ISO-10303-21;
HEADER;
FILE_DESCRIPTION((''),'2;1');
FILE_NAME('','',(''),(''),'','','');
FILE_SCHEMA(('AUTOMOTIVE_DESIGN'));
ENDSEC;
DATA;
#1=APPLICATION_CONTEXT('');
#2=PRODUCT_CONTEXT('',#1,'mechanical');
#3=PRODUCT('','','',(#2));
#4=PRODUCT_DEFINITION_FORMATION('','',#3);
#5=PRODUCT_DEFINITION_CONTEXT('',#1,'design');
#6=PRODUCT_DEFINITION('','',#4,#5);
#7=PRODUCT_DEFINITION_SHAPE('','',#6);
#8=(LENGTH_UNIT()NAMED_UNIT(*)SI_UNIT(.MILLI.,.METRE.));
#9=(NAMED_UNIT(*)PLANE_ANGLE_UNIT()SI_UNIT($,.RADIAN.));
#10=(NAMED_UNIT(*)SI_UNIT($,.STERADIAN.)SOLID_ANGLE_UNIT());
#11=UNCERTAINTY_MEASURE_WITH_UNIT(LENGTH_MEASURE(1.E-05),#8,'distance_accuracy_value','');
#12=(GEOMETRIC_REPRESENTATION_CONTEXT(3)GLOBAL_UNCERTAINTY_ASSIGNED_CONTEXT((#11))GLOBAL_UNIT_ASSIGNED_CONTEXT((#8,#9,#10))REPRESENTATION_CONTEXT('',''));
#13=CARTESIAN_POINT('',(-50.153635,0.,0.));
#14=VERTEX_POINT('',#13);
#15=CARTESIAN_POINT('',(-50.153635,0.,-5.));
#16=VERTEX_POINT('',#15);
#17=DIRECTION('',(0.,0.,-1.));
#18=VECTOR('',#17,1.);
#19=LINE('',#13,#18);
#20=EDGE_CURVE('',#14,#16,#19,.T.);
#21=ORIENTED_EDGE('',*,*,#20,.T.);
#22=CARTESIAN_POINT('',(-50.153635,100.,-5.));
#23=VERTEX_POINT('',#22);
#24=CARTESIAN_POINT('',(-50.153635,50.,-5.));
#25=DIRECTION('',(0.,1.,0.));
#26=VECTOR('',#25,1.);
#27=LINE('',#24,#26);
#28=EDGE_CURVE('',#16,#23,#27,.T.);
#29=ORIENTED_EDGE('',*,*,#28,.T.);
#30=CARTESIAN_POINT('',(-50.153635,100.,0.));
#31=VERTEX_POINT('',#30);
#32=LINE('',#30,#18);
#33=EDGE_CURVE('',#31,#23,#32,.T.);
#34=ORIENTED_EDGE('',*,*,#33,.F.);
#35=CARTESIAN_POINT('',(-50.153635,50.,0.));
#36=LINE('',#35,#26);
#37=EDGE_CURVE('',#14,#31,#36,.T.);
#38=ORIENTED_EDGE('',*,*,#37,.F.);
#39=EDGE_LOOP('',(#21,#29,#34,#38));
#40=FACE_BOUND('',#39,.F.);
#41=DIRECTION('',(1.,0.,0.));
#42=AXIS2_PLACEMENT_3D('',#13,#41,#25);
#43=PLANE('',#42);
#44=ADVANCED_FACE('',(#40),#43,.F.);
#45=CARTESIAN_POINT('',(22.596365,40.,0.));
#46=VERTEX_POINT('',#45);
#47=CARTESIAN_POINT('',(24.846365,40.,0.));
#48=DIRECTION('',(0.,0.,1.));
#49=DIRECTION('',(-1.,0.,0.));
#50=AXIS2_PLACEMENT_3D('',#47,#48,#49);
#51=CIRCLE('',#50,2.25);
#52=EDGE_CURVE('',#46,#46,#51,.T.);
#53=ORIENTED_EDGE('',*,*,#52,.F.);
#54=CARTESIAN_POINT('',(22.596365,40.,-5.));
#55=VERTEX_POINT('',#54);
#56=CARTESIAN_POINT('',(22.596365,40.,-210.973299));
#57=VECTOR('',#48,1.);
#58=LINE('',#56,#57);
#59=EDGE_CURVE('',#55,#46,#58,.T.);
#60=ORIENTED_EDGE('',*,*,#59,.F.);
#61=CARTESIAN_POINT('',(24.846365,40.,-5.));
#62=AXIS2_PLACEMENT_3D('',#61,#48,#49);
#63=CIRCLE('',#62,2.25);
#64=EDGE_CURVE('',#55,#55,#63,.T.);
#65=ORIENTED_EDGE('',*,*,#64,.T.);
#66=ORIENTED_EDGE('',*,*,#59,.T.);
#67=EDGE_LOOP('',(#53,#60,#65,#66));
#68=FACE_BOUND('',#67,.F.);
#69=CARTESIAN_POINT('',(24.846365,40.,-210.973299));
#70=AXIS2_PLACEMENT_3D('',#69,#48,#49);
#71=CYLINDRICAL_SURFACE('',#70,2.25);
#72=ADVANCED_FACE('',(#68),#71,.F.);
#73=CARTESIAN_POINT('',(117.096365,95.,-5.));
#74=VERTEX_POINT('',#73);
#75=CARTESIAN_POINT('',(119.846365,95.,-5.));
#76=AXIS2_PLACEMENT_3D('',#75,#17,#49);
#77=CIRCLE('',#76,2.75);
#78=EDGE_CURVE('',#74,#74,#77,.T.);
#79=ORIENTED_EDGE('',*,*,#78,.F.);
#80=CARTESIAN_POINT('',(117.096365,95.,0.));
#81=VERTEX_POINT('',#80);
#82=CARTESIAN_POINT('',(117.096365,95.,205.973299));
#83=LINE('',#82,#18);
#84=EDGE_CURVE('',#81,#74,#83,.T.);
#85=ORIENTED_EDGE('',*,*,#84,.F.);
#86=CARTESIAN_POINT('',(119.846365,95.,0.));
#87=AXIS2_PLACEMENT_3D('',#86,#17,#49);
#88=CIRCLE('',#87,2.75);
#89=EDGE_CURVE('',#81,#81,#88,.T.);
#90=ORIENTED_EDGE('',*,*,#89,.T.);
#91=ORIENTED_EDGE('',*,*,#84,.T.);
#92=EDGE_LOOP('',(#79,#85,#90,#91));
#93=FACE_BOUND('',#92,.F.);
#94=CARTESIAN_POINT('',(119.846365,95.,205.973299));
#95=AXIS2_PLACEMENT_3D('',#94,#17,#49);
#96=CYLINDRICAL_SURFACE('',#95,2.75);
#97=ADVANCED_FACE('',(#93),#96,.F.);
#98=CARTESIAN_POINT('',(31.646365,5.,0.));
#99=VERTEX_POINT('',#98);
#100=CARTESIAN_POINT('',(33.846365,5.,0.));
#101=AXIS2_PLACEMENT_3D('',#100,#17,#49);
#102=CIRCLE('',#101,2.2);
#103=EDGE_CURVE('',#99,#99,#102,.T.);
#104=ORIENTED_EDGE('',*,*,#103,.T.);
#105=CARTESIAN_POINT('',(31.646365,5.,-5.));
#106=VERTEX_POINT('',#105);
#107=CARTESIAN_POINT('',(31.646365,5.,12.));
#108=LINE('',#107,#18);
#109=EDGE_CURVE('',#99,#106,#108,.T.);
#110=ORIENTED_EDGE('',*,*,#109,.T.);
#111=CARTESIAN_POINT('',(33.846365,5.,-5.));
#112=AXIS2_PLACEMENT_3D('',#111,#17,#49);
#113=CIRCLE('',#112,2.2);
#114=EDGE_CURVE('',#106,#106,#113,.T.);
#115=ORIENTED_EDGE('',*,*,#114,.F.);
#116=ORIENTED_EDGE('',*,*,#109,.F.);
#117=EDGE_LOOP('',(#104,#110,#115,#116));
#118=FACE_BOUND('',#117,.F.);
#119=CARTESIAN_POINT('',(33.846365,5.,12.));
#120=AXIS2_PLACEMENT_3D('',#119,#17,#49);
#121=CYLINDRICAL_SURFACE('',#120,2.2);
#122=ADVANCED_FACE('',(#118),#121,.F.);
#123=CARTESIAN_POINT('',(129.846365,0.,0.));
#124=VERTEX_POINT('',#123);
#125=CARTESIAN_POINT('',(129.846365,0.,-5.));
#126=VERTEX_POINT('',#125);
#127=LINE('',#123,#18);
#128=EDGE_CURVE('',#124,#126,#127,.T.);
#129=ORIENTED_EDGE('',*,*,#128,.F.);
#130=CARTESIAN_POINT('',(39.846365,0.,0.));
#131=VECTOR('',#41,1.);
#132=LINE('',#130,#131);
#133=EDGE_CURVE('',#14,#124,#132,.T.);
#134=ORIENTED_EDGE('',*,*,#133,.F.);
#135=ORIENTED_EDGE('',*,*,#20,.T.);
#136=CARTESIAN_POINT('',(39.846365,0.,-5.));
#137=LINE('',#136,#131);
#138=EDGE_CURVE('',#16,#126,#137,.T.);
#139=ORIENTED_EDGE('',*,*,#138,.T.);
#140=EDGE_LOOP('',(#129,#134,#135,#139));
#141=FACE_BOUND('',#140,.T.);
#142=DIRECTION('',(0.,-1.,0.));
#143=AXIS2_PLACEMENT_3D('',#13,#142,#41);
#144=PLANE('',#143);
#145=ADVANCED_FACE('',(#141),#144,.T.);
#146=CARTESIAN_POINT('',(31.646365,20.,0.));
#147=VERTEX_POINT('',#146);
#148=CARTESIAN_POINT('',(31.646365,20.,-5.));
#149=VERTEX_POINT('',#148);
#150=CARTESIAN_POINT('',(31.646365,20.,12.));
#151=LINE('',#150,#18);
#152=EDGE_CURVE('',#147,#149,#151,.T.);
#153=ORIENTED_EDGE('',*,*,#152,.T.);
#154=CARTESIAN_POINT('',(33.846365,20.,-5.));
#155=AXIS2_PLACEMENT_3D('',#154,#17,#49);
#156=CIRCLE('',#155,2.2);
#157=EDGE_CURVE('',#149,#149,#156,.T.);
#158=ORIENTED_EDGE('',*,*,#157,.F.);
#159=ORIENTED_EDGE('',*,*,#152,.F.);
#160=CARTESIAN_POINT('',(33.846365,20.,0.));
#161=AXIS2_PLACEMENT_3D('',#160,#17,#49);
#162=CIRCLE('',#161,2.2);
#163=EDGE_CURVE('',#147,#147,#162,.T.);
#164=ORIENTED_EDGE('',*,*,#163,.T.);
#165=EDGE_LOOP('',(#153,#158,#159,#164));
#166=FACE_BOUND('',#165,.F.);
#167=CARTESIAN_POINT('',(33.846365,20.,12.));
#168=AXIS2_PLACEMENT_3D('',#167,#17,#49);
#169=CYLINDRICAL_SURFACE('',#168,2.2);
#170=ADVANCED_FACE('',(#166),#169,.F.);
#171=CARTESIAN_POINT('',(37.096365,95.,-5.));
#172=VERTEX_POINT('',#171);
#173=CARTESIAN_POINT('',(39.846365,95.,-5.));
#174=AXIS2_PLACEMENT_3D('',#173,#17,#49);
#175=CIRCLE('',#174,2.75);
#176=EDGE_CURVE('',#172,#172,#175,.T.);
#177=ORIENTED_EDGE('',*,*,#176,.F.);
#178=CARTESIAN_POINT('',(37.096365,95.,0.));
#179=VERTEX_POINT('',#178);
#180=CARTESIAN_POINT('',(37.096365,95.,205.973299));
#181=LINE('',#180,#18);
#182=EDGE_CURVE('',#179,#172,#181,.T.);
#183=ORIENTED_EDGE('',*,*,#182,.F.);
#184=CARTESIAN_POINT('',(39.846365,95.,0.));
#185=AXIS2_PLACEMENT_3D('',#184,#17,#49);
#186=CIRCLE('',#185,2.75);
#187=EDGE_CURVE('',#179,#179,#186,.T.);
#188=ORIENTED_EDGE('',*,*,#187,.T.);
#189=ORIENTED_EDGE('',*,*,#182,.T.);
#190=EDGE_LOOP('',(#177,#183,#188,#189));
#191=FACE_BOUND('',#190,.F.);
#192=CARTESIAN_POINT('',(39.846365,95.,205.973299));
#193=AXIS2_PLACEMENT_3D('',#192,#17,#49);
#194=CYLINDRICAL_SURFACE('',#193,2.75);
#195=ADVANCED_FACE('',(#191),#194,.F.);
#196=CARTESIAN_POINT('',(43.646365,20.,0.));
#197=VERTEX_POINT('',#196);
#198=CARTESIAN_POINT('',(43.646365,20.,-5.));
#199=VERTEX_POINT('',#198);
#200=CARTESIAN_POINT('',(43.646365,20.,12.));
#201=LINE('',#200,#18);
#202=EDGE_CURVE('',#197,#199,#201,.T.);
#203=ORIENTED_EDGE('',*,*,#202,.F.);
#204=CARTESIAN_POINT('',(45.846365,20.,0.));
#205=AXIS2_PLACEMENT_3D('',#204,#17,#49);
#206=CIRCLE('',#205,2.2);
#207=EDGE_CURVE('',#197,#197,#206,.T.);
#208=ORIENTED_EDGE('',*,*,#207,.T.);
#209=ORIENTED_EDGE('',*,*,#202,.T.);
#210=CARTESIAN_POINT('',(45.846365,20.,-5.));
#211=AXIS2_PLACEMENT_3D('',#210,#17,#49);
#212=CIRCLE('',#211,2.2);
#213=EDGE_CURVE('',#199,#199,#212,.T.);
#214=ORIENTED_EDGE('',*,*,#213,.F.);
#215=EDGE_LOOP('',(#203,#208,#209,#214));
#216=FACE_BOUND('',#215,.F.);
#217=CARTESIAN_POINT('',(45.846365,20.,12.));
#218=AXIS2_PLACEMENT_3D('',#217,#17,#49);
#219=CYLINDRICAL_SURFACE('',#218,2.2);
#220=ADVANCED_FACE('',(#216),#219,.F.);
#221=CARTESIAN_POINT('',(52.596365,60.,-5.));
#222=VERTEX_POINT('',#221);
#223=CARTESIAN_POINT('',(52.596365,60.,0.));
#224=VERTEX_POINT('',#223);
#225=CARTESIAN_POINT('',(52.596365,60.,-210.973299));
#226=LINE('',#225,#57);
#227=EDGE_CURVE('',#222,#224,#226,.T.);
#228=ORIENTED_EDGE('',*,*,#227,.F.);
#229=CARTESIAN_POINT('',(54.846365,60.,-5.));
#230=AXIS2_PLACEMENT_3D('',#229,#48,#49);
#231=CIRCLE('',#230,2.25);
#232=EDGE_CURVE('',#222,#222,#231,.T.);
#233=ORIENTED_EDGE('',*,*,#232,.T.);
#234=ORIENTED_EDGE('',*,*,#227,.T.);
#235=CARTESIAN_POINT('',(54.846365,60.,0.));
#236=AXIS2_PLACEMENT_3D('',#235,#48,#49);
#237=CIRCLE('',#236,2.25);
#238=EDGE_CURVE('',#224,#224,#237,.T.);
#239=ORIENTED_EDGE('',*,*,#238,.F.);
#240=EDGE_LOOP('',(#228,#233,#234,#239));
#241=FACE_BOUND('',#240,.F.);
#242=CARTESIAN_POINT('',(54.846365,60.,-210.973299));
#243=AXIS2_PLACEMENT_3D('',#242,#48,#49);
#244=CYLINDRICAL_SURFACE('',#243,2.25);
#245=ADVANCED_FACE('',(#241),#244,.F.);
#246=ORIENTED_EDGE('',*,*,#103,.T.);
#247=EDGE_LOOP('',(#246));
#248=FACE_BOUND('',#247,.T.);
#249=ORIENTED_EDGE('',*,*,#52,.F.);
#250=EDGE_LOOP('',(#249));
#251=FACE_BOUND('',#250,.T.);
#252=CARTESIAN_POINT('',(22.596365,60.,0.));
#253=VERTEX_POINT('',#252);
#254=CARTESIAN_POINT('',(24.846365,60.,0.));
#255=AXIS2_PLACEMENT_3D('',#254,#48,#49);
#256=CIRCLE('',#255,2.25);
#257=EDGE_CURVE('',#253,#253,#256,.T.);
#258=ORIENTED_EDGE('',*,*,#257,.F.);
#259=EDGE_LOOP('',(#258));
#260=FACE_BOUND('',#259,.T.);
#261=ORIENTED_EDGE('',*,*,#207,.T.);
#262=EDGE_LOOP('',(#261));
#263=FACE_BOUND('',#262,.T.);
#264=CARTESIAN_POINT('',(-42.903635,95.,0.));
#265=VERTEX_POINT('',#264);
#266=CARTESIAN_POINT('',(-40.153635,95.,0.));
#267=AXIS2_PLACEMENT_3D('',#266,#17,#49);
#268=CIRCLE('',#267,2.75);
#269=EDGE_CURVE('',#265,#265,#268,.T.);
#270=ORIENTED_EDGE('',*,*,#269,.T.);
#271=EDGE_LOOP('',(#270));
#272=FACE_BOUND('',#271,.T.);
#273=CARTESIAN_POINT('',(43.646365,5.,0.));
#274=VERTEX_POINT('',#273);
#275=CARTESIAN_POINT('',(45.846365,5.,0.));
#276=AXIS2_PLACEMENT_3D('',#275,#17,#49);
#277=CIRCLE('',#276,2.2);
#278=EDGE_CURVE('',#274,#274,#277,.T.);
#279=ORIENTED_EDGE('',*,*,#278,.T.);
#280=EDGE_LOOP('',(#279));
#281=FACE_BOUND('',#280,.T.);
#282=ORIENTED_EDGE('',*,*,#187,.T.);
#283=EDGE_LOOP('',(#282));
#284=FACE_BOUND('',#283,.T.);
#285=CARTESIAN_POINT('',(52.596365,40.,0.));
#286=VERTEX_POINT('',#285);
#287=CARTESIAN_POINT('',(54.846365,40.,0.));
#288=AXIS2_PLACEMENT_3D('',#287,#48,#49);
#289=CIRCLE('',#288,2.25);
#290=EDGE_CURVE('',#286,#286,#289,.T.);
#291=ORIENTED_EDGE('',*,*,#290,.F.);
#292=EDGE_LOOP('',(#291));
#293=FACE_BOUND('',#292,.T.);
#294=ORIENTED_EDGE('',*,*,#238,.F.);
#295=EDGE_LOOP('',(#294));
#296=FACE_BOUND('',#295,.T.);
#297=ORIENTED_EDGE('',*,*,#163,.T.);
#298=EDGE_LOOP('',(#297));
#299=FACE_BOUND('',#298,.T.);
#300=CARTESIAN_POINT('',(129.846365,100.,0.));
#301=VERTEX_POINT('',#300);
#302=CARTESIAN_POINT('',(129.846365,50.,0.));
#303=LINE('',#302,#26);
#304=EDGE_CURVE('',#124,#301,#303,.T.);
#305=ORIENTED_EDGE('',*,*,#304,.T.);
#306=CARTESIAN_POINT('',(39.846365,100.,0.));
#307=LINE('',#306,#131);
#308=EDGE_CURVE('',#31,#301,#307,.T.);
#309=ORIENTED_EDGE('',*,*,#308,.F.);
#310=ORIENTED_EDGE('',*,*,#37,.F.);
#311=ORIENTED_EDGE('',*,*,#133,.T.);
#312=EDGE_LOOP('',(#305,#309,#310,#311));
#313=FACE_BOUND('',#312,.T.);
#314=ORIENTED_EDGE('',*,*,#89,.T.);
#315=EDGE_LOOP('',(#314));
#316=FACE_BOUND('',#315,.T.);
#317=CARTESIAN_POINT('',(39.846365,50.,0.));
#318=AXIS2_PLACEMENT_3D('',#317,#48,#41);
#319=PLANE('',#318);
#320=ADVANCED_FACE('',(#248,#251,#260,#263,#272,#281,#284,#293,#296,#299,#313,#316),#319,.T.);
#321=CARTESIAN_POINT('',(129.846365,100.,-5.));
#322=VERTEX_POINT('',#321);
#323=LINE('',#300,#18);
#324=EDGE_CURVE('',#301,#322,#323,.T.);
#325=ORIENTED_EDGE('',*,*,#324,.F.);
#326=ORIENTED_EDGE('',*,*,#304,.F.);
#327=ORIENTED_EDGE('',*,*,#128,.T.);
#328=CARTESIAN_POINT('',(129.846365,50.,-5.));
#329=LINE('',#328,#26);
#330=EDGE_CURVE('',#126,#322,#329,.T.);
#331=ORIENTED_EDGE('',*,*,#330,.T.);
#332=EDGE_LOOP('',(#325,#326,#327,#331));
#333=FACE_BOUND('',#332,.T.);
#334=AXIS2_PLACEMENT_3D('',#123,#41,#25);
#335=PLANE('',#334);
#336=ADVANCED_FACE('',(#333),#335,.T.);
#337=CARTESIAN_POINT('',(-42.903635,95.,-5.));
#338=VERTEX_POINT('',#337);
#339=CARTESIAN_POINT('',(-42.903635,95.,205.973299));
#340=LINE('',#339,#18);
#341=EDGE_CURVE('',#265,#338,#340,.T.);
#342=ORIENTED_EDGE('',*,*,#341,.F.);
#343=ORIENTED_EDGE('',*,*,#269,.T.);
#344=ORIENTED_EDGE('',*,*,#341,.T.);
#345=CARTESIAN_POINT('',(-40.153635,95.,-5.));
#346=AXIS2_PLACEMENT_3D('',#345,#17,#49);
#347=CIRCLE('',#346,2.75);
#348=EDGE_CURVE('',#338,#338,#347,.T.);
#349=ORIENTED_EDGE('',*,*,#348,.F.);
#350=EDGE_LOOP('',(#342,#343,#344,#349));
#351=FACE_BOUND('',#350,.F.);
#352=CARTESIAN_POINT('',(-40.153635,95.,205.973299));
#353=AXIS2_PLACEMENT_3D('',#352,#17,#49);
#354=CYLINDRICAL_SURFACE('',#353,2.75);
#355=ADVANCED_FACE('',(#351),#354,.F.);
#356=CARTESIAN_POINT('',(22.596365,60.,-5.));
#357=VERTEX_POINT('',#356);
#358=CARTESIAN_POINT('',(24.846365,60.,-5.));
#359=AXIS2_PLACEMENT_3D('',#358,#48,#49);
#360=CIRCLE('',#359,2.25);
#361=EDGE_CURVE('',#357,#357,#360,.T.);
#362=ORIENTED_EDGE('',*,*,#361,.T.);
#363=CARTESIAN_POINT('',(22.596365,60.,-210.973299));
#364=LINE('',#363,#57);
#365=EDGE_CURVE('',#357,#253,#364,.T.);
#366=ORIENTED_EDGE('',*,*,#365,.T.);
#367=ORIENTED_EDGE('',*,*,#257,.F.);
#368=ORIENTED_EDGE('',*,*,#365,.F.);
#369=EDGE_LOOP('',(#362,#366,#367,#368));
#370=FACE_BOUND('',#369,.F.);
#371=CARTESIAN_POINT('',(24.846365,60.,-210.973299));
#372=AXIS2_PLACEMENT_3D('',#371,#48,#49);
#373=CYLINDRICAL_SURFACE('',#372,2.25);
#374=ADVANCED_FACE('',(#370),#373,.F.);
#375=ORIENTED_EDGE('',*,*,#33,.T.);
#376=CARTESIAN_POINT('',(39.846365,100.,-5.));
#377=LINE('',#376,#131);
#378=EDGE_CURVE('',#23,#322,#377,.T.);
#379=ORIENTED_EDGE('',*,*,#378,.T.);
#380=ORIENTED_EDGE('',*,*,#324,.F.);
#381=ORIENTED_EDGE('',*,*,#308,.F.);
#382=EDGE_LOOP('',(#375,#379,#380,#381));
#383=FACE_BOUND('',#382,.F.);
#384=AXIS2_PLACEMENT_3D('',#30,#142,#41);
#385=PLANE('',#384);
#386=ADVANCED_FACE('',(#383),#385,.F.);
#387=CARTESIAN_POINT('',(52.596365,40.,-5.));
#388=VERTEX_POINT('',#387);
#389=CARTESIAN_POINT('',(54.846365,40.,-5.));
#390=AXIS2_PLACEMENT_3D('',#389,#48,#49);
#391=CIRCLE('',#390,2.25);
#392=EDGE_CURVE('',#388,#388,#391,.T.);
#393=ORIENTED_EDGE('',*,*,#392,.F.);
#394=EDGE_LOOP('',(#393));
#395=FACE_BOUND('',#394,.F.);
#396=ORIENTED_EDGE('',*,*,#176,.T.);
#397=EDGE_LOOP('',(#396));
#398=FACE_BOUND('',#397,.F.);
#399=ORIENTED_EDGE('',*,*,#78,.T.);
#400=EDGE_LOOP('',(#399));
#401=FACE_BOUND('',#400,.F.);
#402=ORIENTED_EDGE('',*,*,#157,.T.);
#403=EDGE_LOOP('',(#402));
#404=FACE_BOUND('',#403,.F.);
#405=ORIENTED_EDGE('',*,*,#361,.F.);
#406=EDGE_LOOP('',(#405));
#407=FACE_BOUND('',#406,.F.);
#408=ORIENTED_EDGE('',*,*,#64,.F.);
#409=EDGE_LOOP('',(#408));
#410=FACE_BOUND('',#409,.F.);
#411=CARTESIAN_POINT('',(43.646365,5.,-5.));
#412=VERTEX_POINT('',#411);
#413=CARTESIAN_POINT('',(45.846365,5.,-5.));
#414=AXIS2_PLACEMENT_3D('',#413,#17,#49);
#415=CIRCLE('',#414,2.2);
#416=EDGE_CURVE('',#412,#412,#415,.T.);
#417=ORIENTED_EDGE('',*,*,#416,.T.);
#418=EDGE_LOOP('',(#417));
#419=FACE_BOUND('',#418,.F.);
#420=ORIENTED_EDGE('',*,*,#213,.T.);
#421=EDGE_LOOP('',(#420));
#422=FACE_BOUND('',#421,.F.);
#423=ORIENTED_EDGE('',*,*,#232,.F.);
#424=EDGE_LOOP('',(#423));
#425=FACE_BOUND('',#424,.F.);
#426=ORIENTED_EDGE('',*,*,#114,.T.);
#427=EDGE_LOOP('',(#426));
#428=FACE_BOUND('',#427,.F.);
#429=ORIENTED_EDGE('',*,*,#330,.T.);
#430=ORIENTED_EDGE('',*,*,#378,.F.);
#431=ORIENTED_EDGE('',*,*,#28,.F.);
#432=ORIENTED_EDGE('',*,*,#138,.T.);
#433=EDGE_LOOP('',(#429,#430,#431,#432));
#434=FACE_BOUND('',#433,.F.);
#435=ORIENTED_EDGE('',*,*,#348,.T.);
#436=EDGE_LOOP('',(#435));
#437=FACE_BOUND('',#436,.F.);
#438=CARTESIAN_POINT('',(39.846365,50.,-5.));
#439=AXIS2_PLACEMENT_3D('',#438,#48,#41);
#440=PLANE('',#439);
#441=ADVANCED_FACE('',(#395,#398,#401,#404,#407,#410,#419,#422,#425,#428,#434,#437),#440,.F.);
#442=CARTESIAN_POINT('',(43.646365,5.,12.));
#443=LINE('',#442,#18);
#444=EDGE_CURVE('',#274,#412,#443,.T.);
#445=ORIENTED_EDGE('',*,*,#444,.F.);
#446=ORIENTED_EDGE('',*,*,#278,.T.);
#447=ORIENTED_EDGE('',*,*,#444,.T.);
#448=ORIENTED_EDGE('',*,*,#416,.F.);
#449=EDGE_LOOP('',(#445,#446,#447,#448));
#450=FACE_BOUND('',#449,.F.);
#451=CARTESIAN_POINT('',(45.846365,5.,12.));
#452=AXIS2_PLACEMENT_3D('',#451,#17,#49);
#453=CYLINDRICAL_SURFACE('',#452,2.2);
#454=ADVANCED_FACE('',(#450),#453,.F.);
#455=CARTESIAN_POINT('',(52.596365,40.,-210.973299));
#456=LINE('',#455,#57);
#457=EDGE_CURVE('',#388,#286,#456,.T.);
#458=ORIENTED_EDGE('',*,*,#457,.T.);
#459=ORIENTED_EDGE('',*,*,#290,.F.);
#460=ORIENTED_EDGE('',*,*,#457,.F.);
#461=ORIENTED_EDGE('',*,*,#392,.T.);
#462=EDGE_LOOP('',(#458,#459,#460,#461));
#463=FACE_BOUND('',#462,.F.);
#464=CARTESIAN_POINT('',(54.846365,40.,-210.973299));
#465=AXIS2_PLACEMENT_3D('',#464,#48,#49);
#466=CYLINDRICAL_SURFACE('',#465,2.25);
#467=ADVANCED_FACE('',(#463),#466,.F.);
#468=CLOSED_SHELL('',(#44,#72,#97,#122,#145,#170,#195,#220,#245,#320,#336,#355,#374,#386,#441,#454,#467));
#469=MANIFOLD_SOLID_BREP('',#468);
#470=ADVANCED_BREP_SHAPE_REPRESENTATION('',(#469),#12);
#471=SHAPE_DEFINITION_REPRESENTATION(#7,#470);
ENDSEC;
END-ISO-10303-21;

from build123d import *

# Parameters (mm, degrees)
F0_W     = 180
F0_H     = 100
F2_DEPTH = 5
F3_D     = 5.5
F5_D     = 4.5
F7_D     = 4.4
F7_DEPTH = 12
F7_TIP   = 1.3218933619


with BuildPart() as f2:
    # F0 (on Top) → F2 (new body)
    with BuildSketch(Plane.XY):
        with Locations((39.8463645577, 50)):
            Rectangle(F0_W, F0_H)
    extrude(amount=-F2_DEPTH)

    # F3 (through all)
    with Locations(Plane.XY):
        with Locations((-140.1536354423, 95), (-40.1536354423, 95), (119.8463645577, 95), (219.8463645577, 95), (39.8463645577, 95)):
            Hole(F3_D / 2)

    # F5 (through all)
    with Locations(Plane(origin=(0, 0, -5), x_dir=(1, 0, 0), z_dir=(0, 0, -1))):
        with Locations((24.8463645577, -40), (54.8463645577, -40), (54.8463645577, -60), (24.8463645577, -60)):
            Hole(F5_D / 2)

    # F7
    with Locations(Plane.XY):
        with Locations((33.8463645577, 20), (45.8463645577, 20), (45.8463645577, 5), (33.8463645577, 5)):
            Hole(F7_D / 2, depth=F7_DEPTH)
            with Locations((0, 0, -(F7_DEPTH + F7_TIP / 2))):  # 118° drill point
                Cone(0, F7_D / 2, F7_TIP, mode=Mode.SUBTRACT)


solid = f2.part
